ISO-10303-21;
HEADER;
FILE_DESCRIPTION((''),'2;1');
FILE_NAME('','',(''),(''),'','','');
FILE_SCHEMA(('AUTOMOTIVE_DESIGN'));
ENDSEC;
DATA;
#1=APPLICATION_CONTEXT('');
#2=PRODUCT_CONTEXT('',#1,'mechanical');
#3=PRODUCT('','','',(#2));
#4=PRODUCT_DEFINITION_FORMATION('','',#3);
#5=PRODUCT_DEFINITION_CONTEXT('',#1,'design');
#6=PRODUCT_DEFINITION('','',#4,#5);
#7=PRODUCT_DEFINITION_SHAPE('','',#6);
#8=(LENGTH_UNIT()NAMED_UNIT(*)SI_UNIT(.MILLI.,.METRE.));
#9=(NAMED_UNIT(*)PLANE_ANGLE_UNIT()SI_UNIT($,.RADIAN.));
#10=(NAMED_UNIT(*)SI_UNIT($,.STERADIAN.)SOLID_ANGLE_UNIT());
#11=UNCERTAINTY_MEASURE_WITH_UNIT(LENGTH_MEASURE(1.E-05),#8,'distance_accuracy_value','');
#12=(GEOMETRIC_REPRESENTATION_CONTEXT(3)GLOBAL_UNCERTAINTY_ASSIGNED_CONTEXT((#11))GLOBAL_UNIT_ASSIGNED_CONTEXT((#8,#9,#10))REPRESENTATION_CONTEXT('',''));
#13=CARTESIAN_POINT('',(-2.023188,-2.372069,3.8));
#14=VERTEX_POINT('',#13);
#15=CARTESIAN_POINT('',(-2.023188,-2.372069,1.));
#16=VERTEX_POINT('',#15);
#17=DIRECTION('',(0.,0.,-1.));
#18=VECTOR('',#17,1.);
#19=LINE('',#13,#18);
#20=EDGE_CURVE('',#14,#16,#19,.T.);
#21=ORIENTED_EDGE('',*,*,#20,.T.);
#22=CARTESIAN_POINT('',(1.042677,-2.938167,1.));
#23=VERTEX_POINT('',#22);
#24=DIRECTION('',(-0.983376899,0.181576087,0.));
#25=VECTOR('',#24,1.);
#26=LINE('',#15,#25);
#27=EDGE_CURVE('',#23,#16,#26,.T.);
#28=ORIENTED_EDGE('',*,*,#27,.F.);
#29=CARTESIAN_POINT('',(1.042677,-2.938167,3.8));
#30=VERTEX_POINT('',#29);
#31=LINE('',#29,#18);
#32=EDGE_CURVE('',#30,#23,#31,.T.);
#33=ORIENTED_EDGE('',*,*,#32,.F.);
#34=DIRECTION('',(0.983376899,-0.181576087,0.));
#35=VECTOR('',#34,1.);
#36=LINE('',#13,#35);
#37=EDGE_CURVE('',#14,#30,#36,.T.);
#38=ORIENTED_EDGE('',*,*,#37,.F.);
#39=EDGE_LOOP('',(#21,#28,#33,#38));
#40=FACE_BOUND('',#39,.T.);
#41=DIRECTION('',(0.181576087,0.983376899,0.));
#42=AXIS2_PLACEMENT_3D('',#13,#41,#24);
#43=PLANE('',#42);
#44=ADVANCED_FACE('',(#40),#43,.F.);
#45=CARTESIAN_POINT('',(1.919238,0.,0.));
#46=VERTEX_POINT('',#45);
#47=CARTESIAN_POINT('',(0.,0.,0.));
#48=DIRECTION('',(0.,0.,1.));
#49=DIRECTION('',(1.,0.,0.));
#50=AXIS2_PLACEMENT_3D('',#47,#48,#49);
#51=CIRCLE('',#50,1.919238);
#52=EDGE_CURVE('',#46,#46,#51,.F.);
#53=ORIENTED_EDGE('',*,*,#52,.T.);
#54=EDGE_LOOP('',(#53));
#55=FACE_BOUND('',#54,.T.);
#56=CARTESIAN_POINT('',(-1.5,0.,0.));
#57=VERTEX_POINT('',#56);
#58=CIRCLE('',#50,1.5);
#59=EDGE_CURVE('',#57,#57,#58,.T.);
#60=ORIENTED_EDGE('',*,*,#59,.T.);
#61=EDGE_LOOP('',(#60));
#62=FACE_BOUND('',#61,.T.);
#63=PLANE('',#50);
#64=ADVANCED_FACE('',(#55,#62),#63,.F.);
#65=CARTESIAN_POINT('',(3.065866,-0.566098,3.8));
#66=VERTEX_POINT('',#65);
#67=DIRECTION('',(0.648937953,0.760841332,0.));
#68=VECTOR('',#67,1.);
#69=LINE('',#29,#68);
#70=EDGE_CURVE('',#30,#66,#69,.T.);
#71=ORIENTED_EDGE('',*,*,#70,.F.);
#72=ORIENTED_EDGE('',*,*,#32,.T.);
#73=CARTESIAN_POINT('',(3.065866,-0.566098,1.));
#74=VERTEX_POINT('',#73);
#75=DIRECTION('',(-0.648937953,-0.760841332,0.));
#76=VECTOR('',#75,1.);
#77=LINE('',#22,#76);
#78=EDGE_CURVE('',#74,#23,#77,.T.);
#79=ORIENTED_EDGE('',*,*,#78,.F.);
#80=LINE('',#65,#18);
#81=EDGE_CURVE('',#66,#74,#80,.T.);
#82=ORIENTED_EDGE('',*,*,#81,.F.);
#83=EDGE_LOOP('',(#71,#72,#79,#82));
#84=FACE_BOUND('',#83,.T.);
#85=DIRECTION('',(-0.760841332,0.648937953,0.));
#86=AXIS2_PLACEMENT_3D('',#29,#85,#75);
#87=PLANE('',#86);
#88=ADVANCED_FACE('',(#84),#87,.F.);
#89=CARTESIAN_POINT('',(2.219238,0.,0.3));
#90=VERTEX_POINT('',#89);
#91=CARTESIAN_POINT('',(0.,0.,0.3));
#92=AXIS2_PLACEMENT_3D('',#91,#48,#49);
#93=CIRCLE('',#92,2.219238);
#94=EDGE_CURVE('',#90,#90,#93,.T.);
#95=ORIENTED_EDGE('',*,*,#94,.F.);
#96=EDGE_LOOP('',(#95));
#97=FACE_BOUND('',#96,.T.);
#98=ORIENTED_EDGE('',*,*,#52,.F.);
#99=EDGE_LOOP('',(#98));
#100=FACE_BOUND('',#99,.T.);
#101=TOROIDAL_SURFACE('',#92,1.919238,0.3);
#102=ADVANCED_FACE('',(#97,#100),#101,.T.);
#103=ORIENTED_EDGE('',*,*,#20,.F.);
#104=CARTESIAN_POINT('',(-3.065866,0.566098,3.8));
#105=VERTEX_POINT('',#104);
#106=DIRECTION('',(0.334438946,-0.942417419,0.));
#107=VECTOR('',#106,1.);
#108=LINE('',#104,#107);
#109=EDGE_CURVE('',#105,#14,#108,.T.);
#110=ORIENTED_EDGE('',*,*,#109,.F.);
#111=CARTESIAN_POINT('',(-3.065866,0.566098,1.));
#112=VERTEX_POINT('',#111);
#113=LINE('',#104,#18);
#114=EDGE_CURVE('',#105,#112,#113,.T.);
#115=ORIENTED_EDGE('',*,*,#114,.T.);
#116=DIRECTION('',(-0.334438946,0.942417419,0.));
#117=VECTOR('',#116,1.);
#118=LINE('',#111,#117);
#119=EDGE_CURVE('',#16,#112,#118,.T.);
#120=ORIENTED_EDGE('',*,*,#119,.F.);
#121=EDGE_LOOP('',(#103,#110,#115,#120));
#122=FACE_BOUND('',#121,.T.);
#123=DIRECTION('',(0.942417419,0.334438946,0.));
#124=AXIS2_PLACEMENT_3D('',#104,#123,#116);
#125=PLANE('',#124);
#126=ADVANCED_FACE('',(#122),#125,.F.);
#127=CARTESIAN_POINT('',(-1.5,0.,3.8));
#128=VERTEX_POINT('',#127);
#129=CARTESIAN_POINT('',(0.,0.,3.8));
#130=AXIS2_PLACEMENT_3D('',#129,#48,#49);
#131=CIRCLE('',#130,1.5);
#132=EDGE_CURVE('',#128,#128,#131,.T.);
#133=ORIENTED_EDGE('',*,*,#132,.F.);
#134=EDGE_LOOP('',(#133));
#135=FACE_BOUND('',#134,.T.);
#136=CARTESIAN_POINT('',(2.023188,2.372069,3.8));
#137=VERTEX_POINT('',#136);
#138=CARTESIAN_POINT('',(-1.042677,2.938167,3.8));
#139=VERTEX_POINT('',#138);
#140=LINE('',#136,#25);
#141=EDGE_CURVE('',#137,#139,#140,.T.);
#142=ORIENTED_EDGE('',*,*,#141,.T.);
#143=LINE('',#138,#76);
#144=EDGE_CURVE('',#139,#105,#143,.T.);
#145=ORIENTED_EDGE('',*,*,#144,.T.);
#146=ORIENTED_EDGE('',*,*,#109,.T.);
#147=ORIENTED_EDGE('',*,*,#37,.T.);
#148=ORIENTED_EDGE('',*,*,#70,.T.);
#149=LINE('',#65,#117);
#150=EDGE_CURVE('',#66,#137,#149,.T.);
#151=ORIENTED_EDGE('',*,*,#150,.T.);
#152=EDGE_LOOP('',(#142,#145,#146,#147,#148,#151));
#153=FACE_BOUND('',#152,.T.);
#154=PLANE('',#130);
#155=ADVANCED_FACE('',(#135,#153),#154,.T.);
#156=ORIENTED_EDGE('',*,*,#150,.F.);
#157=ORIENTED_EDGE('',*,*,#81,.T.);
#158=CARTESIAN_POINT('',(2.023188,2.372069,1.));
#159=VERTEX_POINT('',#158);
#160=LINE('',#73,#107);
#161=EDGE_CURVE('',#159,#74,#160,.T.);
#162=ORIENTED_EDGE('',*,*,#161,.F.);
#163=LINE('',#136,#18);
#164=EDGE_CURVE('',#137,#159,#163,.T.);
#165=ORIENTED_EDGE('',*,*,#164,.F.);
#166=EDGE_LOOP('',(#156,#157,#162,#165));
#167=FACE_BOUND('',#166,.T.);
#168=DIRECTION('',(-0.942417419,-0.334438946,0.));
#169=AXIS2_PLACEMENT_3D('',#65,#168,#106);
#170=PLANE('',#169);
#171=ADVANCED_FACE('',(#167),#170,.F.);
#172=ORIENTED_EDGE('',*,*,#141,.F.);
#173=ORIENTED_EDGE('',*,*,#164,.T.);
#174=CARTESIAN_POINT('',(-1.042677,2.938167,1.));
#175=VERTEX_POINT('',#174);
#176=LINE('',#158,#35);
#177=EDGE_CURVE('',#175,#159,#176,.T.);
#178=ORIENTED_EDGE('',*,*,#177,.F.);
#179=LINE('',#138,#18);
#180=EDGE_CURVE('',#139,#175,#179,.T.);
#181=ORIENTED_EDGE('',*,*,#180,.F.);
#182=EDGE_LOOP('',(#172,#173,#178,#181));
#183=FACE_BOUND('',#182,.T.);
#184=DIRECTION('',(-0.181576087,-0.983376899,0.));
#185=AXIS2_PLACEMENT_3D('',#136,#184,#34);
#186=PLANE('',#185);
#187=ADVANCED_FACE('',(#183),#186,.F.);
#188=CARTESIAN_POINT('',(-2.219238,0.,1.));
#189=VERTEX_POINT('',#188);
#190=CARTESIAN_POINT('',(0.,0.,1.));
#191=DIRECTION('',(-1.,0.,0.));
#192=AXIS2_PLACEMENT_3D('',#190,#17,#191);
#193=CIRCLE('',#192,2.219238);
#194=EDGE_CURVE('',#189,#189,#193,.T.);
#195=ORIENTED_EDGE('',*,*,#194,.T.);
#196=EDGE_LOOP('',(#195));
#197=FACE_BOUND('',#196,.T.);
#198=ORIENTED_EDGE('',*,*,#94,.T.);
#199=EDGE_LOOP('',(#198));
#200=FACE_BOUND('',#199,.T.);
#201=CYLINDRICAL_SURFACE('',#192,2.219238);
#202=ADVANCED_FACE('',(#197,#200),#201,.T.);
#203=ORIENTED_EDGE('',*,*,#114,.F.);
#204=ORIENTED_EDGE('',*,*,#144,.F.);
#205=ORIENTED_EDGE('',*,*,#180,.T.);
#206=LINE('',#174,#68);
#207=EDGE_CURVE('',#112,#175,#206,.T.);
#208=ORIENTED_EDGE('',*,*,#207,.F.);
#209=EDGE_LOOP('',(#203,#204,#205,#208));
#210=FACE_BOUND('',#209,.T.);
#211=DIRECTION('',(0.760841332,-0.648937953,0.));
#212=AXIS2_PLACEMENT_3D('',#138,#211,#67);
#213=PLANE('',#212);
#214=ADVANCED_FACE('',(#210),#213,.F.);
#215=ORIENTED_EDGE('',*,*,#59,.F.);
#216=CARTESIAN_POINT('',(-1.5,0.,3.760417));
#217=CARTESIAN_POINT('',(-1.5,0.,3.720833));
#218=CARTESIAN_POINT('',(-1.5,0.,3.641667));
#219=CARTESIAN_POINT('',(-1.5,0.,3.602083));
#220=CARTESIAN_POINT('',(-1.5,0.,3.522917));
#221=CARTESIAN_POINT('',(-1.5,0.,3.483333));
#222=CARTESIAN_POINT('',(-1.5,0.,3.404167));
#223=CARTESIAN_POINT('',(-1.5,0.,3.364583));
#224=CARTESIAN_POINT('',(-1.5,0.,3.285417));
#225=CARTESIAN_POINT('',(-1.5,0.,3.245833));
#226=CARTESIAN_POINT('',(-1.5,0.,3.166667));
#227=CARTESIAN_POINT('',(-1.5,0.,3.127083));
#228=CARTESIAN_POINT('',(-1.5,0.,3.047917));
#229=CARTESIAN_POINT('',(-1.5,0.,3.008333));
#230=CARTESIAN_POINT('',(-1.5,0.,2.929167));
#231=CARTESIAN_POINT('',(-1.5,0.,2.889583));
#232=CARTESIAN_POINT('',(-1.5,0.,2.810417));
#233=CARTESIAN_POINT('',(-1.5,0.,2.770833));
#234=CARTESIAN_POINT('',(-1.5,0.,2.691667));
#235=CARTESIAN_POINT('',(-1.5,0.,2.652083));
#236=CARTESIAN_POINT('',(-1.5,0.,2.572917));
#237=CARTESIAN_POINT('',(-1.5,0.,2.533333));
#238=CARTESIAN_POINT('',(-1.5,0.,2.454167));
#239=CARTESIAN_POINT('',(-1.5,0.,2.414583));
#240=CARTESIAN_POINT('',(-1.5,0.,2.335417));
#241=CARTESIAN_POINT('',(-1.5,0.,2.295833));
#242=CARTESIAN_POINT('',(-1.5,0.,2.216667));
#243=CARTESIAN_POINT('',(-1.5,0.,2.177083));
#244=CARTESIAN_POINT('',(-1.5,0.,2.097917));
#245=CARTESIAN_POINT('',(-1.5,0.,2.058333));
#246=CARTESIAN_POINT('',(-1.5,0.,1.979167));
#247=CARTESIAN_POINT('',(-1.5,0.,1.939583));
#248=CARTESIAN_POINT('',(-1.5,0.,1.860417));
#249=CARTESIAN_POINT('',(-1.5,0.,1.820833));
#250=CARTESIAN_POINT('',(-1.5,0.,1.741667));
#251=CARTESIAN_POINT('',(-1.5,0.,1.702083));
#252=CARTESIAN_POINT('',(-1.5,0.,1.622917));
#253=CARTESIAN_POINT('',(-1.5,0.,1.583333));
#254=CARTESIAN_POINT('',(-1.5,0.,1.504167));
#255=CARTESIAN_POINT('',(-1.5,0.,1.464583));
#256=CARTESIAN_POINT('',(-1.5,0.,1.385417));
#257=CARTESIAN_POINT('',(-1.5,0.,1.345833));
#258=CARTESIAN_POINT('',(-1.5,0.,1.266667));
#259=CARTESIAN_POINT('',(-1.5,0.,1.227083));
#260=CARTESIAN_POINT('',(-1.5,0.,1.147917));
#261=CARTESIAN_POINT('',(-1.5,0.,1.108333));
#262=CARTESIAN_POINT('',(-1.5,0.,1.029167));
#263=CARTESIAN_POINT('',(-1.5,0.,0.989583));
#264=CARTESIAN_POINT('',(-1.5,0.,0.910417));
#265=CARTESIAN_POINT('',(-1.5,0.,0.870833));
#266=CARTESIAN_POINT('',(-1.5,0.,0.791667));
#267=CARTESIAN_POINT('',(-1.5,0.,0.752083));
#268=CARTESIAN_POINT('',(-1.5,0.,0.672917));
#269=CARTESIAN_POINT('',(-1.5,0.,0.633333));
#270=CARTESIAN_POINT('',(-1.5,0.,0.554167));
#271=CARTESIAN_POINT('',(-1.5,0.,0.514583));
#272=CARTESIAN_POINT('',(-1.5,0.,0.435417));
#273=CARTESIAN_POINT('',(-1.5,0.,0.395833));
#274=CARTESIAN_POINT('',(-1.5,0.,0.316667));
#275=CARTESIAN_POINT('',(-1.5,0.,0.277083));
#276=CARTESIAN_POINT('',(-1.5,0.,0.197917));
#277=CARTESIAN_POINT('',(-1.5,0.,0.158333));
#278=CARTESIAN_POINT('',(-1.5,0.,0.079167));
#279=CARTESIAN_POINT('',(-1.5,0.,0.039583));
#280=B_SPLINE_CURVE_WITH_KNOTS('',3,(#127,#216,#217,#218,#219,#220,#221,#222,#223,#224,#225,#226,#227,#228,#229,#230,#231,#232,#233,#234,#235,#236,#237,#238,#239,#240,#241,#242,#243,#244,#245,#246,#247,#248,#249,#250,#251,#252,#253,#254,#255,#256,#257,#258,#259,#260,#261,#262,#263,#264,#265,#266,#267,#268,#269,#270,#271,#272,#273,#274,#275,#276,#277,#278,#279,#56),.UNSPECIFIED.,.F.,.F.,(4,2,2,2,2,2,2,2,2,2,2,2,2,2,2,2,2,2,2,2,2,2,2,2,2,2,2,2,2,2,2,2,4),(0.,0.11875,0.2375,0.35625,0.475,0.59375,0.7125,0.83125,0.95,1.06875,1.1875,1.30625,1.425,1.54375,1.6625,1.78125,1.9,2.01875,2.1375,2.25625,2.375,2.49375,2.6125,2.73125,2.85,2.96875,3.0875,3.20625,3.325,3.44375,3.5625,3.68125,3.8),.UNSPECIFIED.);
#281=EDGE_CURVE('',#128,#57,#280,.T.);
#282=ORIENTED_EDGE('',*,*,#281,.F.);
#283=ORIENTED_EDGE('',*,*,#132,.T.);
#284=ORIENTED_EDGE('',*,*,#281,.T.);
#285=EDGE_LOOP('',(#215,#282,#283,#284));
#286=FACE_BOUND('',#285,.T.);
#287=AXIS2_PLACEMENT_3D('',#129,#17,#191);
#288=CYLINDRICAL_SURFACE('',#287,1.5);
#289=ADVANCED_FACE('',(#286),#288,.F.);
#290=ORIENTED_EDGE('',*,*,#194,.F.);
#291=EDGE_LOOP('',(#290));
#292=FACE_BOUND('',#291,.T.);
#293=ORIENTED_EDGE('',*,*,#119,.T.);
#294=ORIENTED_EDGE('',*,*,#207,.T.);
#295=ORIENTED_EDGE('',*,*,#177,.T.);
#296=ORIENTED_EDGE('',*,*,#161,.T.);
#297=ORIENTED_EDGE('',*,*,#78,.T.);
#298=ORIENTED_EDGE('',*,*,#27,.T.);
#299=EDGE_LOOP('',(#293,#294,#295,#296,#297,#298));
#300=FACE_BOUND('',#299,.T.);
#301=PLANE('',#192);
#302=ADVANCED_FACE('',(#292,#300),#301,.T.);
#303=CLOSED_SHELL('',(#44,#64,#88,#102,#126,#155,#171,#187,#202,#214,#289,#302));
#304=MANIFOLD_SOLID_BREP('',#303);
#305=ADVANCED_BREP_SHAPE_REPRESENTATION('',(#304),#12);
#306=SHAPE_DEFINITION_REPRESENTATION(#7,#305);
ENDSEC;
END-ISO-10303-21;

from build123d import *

# Parameters (mm, degrees)
SKETCH_1_R          = 1.5
EXTRUDE_1_DEPTH     = 3.8
SKETCH_2_OUTSIDE_W  = 9.992
SKETCH_2_OUTSIDE_H  = 9.736
SKETCH_2_OUTSIDE_R  = 2.219238474
CUT_EXTRUDE_1_DEPTH = 1
FILLET_1_R          = 0.3


with BuildPart() as part:
    # 草图1 → 凸台-拉伸1 (new body)
    with BuildSketch(Plane.XY):
        Polygon((-1.042677443, 2.938166733), (-3.065865753, 0.566098213), (-2.02318831, -2.37206852), (1.042677443, -2.938166733), (3.065865753, -0.566098213), (2.02318831, 2.37206852), align=None)
        with Locations(Location((0, 0, 0), (0, 0, 180))):
            Circle(SKETCH_1_R, mode=Mode.SUBTRACT)
    extrude(amount=EXTRUDE_1_DEPTH)

    # 草图2 outside → 切除-拉伸1 (cut)
    with BuildSketch(Plane(origin=(0, 0, 0), x_dir=(-1, 0, 0), z_dir=(0, 0, -1))):
        Rectangle(SKETCH_2_OUTSIDE_W, SKETCH_2_OUTSIDE_H)
        Circle(SKETCH_2_OUTSIDE_R, mode=Mode.SUBTRACT)
    extrude(amount=-CUT_EXTRUDE_1_DEPTH, mode=Mode.SUBTRACT)

    # 圆角1
    fillet_1_edges = [part.edges().sort_by_distance(p)[0] for p in [
        (2.219238474, 0, 0),
    ]]
    fillet(fillet_1_edges, radius=FILLET_1_R)


solid = part.part
